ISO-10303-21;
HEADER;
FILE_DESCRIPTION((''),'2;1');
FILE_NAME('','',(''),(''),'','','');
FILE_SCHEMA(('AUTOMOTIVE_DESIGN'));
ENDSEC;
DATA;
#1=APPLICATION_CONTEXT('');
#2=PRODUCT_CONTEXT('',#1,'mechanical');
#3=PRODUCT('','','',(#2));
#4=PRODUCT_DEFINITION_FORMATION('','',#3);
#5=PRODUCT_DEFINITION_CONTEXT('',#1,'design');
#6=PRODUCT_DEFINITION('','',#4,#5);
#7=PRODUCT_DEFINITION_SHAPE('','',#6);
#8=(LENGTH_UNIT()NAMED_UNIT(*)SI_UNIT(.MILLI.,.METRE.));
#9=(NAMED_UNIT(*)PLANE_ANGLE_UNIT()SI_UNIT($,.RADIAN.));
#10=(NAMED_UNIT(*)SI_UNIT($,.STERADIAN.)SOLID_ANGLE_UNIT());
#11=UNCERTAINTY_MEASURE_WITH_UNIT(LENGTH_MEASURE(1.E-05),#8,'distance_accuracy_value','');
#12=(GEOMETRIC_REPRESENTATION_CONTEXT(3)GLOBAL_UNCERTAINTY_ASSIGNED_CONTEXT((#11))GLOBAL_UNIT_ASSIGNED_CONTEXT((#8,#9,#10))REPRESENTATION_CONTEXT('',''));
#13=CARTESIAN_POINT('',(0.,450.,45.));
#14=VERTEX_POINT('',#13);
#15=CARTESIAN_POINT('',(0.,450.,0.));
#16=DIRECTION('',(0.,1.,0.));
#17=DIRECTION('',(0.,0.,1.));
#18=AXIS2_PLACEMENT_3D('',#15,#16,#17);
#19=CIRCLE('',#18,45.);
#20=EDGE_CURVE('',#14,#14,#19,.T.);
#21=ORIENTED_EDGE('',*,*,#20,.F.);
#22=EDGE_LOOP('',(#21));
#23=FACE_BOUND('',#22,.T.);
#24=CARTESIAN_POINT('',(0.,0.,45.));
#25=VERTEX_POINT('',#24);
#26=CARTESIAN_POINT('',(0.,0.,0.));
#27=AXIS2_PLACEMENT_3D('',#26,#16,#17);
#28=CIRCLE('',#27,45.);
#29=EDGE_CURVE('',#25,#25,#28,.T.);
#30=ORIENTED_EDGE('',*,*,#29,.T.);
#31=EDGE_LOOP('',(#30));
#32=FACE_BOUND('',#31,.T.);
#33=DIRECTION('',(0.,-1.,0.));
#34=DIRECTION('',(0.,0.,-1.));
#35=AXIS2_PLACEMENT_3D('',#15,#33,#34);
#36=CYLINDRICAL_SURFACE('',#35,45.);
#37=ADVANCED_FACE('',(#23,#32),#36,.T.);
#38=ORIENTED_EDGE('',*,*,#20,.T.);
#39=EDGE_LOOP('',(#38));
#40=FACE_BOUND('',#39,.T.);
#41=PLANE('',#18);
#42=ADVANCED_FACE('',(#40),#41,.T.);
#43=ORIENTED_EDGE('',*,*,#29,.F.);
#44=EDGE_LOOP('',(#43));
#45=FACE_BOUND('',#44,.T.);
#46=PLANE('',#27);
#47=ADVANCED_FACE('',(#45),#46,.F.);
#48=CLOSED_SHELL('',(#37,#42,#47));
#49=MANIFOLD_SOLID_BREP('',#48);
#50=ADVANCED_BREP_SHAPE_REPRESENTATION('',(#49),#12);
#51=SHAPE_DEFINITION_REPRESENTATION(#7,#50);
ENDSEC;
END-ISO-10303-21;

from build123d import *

# Parameters (mm, degrees)
SKETCH1_R           = 45
BOSS_EXTRUDE1_DEPTH = 450


with BuildPart() as part:
    # Sketch1 → Boss-Extrude1 (new body)
    with BuildSketch(Plane(origin=(0, 0, 0), x_dir=(1, 0, 0), z_dir=(0, 1, 0))):
        Circle(SKETCH1_R)
    extrude(amount=BOSS_EXTRUDE1_DEPTH)


solid = part.part
